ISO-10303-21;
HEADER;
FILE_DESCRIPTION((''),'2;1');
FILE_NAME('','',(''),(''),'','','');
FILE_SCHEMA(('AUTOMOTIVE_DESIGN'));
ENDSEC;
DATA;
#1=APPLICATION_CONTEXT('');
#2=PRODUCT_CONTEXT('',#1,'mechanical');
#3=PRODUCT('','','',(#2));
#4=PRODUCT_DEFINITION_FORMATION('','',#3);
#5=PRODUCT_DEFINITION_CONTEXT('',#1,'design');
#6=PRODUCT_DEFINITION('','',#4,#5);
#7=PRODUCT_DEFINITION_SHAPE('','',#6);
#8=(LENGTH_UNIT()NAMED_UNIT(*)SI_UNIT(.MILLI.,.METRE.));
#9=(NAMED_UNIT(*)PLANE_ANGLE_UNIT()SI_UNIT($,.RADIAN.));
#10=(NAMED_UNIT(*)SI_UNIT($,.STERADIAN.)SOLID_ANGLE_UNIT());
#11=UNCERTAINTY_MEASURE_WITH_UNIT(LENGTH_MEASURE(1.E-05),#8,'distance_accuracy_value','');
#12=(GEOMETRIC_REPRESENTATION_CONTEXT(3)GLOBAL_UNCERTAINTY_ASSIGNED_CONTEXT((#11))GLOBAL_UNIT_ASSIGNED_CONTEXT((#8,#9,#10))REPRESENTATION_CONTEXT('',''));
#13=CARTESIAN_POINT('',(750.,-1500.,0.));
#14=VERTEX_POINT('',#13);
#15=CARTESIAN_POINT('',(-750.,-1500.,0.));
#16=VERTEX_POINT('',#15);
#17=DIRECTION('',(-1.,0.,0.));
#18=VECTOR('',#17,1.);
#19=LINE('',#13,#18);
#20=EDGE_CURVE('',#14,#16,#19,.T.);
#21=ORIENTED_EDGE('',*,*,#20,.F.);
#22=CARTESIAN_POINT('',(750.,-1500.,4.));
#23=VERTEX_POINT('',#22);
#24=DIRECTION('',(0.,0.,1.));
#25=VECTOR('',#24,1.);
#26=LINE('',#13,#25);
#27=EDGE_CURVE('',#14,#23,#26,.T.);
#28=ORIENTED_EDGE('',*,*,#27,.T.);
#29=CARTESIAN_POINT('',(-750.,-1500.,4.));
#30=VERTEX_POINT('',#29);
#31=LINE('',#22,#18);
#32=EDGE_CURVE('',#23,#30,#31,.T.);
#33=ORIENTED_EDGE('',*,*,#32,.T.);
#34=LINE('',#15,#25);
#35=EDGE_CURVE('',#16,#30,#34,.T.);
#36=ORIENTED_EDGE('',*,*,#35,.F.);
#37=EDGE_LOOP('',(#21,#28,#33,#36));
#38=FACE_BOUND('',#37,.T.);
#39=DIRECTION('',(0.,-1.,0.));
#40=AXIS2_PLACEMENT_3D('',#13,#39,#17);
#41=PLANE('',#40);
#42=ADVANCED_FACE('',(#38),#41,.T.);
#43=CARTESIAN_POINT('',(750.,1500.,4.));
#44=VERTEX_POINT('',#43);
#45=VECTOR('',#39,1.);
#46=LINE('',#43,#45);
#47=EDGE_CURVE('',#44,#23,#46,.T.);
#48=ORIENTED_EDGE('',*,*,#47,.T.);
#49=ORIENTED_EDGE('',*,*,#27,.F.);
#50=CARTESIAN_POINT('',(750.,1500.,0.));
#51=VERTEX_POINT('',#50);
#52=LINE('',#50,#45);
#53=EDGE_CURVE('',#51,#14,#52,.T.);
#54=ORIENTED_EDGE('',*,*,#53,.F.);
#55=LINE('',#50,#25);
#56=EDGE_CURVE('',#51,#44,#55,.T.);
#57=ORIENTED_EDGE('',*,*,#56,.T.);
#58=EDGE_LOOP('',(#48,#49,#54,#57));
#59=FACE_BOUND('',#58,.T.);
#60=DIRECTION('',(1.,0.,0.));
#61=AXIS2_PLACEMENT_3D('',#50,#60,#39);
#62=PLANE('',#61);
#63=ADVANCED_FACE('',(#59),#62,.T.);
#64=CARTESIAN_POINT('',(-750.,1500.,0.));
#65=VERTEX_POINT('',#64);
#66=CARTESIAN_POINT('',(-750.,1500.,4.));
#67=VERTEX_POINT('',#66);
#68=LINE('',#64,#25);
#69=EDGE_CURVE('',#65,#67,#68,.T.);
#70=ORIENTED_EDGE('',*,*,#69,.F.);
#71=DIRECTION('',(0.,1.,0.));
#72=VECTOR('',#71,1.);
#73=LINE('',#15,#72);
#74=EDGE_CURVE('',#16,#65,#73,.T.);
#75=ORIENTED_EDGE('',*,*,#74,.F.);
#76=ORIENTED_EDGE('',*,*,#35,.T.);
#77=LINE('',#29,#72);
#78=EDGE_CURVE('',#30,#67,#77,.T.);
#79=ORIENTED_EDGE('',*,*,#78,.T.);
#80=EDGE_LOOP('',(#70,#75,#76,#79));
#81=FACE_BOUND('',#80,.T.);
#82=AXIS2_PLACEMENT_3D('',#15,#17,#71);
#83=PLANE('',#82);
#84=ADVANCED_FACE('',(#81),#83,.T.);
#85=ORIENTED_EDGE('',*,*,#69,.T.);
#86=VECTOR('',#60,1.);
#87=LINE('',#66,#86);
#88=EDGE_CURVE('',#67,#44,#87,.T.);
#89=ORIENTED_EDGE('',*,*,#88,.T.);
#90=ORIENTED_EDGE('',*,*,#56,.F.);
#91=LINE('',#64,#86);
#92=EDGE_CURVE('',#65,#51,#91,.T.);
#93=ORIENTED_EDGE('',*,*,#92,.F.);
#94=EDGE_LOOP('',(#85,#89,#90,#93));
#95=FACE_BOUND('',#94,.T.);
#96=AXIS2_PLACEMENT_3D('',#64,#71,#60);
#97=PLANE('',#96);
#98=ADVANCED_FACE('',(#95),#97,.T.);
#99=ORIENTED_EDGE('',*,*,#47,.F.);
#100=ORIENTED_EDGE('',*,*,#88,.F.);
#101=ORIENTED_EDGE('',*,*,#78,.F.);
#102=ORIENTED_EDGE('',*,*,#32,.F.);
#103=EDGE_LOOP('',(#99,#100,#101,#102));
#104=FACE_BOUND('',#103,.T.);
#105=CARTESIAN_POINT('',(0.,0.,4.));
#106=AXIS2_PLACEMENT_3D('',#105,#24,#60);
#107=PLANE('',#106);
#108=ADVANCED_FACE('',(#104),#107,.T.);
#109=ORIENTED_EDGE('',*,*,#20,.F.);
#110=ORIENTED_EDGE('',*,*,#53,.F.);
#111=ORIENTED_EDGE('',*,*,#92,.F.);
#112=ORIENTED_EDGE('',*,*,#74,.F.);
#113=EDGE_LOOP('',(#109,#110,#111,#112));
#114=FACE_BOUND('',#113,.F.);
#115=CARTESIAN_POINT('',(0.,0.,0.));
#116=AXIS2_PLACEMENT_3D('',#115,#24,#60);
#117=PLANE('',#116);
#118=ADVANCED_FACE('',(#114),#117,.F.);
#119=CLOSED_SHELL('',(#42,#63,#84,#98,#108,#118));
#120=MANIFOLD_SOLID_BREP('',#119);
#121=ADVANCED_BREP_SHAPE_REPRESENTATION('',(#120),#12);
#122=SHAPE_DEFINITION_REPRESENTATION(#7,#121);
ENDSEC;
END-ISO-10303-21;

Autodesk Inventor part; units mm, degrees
ref_plane "YZ Plane" through (0, 0, 0) normal (1, 0, 0) x (0, 1, 0)
ref_plane "XZ Plane" through (0, 0, 0) normal (0, 1, 0) x (-1, 0, 0)
ref_plane "XY Plane" through (0, 0, 0) normal (0, 0, 1) x (1, 0, 0)
sketch "Sketch1" plane through (0, 0, 0) normal (0, 0, 1) x (1, 0, 0)
  line L0 (750, -1500) -> (-750, -1500)
  line L1 (-750, -1500) -> (-750, 1500)
  line L2 (-750, 1500) -> (750, 1500)
  line L3 (750, 1500) -> (750, -1500)
  line L4 (750, -1500) -> (-750, 1500) construction
  line L5 (-750, -1500) -> (750, 1500) construction
  point P0 (0, 0)
  dimension "d0" = 1500
  dimension "d1" = 3000
extrude "Plate1" add sketch "Sketch1" along normal blind 4
equation "\"d2\" = Thickness"
equation "\"BendRadius\" = Thickness"
equation "\"BendReliefWidth\" = Thickness"
equation "\"BendReliefDepth\" = 0.5 * Thickness"
equation "\"CornerReliefSize\" = 4 * Thickness"
equation "\"MinimumRemnant\" = 2 * Thickness"
equation "\"TransitionRadius\" = BendRadius"
equation "\"JacobiRadiusSize\" = BendRadius"
equation "\"GapSize\" = Thickness"
equation "\"Thickness\" = 4"
properties part number "Part111_CPY2"
